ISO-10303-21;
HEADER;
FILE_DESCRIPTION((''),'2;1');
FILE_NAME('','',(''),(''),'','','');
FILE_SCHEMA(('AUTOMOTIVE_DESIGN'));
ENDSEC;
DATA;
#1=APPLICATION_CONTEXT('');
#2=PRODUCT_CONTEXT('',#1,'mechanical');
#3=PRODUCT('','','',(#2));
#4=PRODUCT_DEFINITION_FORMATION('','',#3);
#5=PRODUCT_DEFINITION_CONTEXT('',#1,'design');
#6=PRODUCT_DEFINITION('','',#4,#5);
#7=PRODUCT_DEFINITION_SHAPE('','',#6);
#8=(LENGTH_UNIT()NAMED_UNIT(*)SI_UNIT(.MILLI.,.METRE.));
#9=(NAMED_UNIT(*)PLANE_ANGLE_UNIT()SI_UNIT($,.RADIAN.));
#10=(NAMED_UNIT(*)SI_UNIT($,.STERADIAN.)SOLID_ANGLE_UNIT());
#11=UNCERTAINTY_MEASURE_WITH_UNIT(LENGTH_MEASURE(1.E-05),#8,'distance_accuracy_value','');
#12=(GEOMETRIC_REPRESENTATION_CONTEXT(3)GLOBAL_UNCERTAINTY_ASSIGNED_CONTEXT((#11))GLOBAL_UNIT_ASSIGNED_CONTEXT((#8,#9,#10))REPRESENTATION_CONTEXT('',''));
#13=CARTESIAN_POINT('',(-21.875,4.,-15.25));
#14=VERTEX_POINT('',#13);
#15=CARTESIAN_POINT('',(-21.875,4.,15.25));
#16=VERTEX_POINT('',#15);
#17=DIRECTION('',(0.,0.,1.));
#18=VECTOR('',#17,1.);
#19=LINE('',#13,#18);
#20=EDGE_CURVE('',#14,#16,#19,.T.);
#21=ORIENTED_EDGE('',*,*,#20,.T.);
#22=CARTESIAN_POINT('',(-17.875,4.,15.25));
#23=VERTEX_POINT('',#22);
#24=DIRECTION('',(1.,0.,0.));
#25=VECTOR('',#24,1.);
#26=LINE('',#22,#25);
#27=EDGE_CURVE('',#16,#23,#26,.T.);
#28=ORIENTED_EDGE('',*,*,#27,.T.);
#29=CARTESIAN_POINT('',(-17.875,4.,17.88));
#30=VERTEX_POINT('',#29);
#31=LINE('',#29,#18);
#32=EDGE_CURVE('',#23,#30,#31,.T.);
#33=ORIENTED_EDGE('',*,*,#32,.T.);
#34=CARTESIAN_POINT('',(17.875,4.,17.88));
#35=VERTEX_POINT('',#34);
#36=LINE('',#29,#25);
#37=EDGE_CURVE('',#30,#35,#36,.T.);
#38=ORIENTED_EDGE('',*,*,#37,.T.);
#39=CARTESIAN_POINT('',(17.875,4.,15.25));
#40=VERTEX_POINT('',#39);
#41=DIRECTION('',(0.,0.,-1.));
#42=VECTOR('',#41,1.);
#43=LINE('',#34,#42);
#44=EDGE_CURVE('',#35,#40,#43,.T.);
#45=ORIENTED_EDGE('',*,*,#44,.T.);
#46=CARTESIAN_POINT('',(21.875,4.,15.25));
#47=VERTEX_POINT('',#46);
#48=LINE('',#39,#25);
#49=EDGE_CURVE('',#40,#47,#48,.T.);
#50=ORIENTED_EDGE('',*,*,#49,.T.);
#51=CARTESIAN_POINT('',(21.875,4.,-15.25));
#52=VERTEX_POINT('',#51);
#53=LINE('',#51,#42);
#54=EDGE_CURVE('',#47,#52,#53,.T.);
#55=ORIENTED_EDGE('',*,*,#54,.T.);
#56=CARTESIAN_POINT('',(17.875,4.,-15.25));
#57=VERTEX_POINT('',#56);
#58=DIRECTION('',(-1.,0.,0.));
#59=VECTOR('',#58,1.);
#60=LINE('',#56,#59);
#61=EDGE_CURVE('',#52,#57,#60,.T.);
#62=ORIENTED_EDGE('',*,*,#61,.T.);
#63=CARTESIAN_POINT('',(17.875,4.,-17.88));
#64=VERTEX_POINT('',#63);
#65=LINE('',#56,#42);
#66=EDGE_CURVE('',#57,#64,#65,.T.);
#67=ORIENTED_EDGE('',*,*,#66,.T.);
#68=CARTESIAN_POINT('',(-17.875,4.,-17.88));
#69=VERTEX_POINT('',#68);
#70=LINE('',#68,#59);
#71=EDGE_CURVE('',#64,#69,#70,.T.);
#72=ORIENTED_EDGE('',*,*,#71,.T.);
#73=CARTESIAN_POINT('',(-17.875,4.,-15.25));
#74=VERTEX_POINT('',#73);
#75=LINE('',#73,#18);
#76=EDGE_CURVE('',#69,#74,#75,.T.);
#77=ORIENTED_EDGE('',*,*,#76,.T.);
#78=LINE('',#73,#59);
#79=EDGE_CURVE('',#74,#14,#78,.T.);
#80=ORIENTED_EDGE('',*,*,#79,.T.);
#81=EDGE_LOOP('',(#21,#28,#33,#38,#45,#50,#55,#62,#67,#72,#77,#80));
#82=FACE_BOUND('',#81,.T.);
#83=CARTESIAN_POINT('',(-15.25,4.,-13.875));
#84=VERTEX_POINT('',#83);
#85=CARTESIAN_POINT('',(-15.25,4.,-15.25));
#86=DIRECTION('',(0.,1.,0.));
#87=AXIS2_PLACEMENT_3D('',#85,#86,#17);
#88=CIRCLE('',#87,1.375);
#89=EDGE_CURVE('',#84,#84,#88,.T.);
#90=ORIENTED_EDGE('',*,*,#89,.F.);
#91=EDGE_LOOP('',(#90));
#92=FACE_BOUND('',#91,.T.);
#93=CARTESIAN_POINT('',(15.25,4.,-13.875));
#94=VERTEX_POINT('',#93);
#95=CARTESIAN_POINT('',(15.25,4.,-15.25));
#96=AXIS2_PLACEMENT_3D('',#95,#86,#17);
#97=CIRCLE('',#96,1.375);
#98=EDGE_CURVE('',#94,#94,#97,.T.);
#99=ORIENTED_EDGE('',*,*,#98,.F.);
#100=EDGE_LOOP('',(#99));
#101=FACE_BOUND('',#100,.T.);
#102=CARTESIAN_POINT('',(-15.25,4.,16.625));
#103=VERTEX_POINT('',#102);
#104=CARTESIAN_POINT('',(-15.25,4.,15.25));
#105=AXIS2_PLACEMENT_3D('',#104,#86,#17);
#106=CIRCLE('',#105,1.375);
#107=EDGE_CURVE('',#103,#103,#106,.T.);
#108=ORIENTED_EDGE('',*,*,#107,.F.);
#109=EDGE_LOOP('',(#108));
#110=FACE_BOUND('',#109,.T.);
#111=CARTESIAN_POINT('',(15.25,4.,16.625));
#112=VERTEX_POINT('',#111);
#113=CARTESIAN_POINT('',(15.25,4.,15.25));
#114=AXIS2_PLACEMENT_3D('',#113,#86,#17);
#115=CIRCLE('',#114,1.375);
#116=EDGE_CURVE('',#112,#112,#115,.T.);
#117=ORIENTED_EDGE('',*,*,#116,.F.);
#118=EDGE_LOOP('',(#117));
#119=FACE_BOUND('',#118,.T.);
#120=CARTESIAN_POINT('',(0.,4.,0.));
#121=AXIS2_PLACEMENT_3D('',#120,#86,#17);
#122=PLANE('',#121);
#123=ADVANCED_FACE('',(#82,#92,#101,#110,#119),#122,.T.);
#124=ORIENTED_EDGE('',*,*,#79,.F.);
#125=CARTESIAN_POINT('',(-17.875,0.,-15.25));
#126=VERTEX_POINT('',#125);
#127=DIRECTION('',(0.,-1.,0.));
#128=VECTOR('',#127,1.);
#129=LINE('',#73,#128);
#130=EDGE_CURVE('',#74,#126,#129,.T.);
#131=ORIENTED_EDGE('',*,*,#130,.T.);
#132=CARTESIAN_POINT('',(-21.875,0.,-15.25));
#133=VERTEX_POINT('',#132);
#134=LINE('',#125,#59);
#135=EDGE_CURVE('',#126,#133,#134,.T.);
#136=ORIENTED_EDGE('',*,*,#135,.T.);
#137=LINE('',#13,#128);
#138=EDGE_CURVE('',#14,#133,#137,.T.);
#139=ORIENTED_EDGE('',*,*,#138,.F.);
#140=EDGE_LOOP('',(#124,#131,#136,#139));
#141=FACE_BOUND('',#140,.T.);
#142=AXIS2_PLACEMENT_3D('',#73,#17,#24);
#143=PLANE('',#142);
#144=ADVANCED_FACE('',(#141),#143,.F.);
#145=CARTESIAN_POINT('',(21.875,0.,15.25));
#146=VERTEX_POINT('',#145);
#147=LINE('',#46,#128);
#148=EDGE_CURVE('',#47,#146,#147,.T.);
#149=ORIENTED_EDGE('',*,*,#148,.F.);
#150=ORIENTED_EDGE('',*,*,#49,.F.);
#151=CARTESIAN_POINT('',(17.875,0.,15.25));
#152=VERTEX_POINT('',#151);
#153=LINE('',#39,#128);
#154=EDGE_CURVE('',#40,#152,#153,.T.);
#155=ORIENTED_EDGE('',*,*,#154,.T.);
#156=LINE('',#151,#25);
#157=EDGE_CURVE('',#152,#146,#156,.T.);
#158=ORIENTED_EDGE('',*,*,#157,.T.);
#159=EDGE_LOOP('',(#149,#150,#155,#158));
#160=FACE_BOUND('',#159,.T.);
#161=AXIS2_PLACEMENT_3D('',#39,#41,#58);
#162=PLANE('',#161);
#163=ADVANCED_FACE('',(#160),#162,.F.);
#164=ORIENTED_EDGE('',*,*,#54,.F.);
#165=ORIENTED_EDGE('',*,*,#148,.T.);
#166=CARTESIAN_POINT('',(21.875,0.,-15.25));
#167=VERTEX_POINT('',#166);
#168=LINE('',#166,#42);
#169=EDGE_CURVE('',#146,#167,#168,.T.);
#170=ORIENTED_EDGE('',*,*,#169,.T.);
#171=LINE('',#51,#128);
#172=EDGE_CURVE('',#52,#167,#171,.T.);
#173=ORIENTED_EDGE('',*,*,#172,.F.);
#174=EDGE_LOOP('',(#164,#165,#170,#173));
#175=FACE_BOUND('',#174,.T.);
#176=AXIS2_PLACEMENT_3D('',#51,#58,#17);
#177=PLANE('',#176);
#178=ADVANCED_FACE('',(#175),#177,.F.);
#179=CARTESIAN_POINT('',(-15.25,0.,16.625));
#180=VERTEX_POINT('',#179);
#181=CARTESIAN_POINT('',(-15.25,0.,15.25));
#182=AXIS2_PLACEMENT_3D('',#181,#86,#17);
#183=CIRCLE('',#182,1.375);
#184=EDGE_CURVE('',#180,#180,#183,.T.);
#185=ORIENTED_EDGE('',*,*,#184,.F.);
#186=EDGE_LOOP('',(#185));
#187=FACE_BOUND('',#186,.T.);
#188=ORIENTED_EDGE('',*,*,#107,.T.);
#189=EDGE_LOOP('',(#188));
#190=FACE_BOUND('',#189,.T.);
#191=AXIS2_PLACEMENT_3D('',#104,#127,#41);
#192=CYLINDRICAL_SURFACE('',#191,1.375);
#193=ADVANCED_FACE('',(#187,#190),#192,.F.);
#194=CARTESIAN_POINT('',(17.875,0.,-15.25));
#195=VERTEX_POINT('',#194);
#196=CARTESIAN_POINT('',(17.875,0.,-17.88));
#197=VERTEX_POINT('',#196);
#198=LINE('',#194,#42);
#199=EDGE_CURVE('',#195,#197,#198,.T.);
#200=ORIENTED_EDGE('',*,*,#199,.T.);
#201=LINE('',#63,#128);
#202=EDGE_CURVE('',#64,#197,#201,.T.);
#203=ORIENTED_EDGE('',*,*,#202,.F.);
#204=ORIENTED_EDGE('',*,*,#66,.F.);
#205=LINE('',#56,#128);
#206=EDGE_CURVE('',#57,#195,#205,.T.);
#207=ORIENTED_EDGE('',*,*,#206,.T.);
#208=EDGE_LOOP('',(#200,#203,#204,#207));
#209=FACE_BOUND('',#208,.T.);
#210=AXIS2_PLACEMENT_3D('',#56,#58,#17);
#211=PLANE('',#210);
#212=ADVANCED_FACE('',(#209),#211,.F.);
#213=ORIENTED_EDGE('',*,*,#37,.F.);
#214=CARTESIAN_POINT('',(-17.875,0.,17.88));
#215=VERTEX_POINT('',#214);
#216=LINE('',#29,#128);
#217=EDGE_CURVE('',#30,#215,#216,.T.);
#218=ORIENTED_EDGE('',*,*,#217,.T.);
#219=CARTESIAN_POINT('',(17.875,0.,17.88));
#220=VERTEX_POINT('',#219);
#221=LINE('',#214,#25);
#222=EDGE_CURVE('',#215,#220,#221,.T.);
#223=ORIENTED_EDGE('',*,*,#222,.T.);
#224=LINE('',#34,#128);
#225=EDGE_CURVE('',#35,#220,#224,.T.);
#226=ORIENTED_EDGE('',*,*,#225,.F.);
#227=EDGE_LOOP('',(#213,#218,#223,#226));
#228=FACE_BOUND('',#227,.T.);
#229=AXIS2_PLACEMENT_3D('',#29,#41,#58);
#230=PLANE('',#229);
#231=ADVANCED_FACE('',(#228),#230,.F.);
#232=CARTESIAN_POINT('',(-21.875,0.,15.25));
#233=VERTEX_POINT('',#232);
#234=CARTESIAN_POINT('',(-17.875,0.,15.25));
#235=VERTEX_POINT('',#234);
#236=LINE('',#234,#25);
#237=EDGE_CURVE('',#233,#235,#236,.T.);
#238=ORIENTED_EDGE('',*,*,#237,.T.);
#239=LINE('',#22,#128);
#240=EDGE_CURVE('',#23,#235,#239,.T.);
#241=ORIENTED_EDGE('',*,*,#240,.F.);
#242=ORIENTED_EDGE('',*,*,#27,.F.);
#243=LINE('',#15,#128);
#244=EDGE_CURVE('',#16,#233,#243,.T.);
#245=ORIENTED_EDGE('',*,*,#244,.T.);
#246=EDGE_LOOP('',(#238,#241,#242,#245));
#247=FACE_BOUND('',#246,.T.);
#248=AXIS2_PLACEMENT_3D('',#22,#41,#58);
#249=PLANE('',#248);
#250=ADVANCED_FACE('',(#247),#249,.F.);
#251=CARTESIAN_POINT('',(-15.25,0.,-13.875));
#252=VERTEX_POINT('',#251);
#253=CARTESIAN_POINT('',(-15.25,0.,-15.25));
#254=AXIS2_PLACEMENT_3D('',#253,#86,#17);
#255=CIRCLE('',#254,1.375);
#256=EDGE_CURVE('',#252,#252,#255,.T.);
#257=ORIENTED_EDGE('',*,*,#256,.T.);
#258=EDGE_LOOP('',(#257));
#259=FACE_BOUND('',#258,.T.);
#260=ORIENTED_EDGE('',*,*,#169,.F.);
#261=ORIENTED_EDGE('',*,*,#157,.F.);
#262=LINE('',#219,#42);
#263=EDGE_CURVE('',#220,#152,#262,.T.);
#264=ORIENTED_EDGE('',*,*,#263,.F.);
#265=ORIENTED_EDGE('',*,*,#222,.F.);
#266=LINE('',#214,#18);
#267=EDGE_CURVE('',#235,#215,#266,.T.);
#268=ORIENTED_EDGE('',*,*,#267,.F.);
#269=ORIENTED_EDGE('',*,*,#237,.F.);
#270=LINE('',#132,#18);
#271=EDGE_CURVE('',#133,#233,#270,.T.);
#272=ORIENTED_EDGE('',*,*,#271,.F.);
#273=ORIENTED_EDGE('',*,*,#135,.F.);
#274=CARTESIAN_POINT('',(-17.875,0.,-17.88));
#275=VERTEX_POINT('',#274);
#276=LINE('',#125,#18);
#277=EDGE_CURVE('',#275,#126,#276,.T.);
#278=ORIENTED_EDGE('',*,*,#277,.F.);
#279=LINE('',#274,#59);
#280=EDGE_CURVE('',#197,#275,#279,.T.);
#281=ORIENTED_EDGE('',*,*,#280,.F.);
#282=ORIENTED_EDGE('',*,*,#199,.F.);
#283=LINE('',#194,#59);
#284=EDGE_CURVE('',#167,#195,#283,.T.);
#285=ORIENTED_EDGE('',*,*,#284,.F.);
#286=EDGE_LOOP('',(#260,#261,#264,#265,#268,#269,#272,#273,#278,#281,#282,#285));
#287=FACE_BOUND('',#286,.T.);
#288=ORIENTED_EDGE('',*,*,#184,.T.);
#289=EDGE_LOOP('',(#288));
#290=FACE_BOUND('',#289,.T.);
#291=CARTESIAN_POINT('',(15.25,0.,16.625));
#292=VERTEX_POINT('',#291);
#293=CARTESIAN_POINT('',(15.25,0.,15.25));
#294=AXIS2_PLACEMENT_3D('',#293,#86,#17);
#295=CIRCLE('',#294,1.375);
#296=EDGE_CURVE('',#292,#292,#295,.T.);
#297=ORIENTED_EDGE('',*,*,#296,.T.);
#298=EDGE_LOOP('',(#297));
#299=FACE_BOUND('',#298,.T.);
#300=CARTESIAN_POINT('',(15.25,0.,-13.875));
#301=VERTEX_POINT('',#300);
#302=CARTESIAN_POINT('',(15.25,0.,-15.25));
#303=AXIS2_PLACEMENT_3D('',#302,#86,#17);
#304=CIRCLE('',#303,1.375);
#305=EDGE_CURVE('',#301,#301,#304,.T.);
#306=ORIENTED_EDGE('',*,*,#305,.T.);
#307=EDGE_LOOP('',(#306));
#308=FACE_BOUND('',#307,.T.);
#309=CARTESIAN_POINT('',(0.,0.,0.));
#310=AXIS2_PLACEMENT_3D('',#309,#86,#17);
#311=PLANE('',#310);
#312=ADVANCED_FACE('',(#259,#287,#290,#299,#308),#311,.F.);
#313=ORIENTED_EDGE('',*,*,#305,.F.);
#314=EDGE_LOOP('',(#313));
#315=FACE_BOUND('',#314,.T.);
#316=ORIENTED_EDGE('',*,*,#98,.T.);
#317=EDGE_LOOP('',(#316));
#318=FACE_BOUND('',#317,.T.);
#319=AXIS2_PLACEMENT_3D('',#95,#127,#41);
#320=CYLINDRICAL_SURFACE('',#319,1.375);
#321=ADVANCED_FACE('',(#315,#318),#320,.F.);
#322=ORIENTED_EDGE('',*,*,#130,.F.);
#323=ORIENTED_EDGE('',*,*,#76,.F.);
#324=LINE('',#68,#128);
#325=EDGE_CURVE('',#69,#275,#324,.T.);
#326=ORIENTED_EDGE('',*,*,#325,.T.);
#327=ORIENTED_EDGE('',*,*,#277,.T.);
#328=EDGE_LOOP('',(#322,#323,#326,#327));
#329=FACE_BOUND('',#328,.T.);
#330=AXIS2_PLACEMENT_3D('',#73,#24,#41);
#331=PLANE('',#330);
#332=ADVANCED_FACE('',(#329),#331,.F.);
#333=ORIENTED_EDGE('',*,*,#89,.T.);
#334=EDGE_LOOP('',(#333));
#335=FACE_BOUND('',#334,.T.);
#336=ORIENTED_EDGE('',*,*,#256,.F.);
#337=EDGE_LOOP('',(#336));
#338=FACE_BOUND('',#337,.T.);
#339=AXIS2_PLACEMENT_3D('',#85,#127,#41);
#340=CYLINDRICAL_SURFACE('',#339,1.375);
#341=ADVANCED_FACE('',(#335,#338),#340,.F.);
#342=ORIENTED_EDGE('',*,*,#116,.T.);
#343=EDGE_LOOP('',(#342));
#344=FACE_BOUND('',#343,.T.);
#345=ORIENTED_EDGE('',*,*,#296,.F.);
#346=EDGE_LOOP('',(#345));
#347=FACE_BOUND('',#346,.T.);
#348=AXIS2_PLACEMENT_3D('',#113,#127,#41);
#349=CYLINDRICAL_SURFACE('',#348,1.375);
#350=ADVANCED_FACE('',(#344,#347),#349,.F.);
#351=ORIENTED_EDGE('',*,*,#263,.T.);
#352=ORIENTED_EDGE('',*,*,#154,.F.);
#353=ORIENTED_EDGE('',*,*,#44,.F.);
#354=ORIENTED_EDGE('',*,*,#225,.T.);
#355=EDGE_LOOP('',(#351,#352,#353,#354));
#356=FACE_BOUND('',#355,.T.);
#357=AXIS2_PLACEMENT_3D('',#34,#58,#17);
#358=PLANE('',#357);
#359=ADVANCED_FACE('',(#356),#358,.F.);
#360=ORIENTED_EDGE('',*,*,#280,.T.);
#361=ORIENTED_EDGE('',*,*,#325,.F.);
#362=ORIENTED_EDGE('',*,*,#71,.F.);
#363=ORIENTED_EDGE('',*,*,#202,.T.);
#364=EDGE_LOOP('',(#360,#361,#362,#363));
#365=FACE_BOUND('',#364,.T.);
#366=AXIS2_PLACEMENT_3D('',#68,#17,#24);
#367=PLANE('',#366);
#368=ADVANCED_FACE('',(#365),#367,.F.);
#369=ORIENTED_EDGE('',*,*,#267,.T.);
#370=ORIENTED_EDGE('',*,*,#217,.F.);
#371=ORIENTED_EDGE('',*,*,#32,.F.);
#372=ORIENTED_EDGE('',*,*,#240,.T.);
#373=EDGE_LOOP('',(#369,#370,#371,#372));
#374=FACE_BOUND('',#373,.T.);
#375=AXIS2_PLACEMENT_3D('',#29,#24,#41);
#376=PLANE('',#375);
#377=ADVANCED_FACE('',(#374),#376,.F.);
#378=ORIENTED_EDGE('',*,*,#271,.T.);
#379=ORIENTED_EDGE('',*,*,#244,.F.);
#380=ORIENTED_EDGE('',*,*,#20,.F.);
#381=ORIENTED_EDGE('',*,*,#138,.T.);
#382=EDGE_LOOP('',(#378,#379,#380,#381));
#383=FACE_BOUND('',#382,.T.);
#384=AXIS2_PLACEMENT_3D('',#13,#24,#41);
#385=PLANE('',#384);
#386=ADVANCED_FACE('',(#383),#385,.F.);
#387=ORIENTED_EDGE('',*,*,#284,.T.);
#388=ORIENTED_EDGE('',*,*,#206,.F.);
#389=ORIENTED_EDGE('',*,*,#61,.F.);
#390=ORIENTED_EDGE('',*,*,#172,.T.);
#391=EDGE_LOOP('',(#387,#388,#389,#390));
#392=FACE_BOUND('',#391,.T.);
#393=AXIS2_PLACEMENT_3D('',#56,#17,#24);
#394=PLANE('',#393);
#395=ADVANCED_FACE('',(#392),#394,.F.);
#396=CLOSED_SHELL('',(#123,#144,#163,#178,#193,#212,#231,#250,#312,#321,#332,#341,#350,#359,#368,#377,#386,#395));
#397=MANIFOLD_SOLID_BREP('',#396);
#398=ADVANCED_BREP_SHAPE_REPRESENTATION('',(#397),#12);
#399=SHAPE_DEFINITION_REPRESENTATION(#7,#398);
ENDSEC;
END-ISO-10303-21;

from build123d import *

# Parameters (mm, degrees)
BOSS_EXTRUDE1_DEPTH = 4
SKETCH1_R           = 1.375
CUT_EXTRUDE1_DEPTH  = 4


with BuildPart() as part:
    # Sketch2 → Boss-Extrude1 (new body)
    with BuildSketch(Plane(origin=(0, 0, 0), x_dir=(1, 0, 0), z_dir=(0, 1, 0))):
        Polygon((17.875, 15.25), (21.875, 15.25), (21.875, -15.25), (17.875, -15.25), (17.875, -17.88), (-17.875, -17.88), (-17.875, -15.25), (-21.875, -15.25), (-21.875, 15.25), (-17.875, 15.25), (-17.875, 17.88), (17.875, 17.88), align=None)
    extrude(amount=BOSS_EXTRUDE1_DEPTH)

    # Sketch1 → Cut-Extrude1 (cut)
    with BuildSketch(Plane(origin=(0, 0, 0), x_dir=(1, 0, 0), z_dir=(0, 1, 0))):
        with Locations(Location((-15.25, 15.25, 0), (0, 0, 270))):
            Circle(SKETCH1_R)
        with Locations(Location((15.25, 15.25, 0), (0, 0, 270))):
            Circle(SKETCH1_R)
        with Locations(Location((15.25, -15.25, 0), (0, 0, 270))):
            Circle(SKETCH1_R)
        with Locations(Location((-15.25, -15.25, 0), (0, 0, 270))):
            Circle(SKETCH1_R)
    extrude(amount=CUT_EXTRUDE1_DEPTH, mode=Mode.SUBTRACT)


solid = part.part
